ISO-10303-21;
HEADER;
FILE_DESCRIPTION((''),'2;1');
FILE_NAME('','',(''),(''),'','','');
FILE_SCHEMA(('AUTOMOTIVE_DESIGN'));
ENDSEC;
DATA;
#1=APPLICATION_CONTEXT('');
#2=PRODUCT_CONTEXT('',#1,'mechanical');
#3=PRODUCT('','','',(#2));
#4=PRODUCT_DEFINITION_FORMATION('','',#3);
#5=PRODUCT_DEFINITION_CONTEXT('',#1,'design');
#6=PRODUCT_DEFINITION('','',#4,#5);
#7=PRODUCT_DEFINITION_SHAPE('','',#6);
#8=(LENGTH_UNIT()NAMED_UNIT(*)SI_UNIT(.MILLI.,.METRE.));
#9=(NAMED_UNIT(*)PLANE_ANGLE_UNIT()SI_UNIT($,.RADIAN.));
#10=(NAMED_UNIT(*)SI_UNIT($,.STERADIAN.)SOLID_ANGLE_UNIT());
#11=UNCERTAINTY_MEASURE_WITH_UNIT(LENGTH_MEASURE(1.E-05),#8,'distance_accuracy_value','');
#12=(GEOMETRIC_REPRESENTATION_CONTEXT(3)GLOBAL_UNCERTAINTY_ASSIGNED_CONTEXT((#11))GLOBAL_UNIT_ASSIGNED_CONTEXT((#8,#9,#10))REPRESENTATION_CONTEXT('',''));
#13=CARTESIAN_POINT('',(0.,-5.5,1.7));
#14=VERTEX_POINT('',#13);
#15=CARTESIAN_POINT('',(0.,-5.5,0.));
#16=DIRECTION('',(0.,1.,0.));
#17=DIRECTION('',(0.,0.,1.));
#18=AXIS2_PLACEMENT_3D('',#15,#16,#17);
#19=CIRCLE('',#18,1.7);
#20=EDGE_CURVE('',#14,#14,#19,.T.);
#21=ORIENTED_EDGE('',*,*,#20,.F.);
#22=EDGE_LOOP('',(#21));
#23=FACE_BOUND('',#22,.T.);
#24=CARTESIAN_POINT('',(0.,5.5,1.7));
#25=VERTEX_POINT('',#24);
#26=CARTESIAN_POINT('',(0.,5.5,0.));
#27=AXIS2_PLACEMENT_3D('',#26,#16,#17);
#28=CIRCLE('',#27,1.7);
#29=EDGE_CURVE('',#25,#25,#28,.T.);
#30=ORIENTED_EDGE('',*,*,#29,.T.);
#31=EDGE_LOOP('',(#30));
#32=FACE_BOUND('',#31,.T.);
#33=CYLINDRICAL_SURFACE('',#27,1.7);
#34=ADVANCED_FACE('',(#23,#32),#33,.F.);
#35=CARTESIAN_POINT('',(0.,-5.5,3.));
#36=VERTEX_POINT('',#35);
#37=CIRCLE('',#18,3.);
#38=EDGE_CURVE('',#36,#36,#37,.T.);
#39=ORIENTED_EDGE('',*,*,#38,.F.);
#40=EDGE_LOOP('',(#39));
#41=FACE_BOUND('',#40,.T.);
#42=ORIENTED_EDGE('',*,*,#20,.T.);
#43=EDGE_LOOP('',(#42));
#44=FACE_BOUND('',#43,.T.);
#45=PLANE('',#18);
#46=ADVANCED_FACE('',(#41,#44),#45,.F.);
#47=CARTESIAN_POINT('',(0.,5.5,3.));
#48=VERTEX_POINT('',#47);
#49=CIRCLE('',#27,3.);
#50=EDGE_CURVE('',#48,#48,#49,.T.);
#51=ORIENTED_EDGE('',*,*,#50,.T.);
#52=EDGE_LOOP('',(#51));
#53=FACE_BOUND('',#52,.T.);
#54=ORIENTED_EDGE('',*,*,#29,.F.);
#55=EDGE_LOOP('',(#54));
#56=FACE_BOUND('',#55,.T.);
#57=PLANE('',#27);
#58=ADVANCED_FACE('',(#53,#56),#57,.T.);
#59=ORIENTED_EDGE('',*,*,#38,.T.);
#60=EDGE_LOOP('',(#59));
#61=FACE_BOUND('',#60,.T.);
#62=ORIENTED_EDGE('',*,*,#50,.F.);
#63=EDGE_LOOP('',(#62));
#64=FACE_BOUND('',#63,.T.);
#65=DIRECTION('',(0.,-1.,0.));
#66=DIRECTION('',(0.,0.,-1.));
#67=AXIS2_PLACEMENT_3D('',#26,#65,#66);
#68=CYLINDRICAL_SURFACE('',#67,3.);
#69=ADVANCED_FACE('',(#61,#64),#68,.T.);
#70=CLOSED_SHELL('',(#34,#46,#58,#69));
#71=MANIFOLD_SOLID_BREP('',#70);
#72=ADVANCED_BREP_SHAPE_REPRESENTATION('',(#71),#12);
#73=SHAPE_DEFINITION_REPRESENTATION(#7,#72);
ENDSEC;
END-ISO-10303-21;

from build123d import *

# Parameters (mm, degrees)
SKETCH2_R            = 3
BOSS_EXTRUDE1_DEPTH  = 5.5
M3_CLEARANCE_HOLE1_D = 3.4


with BuildPart() as part:
    # Sketch2 → Boss-Extrude1 (new, symmetric)
    with BuildSketch(Plane(origin=(0, 0, 0), x_dir=(1, 0, 0), z_dir=(0, 1, 0))):
        with Locations(Location((0, 0, 0), (0, 0, 270))):
            Circle(SKETCH2_R)
    extrude(amount=BOSS_EXTRUDE1_DEPTH, both=True)

    # M3 Clearance Hole1 (through all)
    with Locations(Plane(origin=(0, 5.5, 0), x_dir=(1, 0, 0), z_dir=(0, 1, 0))):
        with Locations((0, 0)):
            Hole(M3_CLEARANCE_HOLE1_D / 2)


solid = part.part
